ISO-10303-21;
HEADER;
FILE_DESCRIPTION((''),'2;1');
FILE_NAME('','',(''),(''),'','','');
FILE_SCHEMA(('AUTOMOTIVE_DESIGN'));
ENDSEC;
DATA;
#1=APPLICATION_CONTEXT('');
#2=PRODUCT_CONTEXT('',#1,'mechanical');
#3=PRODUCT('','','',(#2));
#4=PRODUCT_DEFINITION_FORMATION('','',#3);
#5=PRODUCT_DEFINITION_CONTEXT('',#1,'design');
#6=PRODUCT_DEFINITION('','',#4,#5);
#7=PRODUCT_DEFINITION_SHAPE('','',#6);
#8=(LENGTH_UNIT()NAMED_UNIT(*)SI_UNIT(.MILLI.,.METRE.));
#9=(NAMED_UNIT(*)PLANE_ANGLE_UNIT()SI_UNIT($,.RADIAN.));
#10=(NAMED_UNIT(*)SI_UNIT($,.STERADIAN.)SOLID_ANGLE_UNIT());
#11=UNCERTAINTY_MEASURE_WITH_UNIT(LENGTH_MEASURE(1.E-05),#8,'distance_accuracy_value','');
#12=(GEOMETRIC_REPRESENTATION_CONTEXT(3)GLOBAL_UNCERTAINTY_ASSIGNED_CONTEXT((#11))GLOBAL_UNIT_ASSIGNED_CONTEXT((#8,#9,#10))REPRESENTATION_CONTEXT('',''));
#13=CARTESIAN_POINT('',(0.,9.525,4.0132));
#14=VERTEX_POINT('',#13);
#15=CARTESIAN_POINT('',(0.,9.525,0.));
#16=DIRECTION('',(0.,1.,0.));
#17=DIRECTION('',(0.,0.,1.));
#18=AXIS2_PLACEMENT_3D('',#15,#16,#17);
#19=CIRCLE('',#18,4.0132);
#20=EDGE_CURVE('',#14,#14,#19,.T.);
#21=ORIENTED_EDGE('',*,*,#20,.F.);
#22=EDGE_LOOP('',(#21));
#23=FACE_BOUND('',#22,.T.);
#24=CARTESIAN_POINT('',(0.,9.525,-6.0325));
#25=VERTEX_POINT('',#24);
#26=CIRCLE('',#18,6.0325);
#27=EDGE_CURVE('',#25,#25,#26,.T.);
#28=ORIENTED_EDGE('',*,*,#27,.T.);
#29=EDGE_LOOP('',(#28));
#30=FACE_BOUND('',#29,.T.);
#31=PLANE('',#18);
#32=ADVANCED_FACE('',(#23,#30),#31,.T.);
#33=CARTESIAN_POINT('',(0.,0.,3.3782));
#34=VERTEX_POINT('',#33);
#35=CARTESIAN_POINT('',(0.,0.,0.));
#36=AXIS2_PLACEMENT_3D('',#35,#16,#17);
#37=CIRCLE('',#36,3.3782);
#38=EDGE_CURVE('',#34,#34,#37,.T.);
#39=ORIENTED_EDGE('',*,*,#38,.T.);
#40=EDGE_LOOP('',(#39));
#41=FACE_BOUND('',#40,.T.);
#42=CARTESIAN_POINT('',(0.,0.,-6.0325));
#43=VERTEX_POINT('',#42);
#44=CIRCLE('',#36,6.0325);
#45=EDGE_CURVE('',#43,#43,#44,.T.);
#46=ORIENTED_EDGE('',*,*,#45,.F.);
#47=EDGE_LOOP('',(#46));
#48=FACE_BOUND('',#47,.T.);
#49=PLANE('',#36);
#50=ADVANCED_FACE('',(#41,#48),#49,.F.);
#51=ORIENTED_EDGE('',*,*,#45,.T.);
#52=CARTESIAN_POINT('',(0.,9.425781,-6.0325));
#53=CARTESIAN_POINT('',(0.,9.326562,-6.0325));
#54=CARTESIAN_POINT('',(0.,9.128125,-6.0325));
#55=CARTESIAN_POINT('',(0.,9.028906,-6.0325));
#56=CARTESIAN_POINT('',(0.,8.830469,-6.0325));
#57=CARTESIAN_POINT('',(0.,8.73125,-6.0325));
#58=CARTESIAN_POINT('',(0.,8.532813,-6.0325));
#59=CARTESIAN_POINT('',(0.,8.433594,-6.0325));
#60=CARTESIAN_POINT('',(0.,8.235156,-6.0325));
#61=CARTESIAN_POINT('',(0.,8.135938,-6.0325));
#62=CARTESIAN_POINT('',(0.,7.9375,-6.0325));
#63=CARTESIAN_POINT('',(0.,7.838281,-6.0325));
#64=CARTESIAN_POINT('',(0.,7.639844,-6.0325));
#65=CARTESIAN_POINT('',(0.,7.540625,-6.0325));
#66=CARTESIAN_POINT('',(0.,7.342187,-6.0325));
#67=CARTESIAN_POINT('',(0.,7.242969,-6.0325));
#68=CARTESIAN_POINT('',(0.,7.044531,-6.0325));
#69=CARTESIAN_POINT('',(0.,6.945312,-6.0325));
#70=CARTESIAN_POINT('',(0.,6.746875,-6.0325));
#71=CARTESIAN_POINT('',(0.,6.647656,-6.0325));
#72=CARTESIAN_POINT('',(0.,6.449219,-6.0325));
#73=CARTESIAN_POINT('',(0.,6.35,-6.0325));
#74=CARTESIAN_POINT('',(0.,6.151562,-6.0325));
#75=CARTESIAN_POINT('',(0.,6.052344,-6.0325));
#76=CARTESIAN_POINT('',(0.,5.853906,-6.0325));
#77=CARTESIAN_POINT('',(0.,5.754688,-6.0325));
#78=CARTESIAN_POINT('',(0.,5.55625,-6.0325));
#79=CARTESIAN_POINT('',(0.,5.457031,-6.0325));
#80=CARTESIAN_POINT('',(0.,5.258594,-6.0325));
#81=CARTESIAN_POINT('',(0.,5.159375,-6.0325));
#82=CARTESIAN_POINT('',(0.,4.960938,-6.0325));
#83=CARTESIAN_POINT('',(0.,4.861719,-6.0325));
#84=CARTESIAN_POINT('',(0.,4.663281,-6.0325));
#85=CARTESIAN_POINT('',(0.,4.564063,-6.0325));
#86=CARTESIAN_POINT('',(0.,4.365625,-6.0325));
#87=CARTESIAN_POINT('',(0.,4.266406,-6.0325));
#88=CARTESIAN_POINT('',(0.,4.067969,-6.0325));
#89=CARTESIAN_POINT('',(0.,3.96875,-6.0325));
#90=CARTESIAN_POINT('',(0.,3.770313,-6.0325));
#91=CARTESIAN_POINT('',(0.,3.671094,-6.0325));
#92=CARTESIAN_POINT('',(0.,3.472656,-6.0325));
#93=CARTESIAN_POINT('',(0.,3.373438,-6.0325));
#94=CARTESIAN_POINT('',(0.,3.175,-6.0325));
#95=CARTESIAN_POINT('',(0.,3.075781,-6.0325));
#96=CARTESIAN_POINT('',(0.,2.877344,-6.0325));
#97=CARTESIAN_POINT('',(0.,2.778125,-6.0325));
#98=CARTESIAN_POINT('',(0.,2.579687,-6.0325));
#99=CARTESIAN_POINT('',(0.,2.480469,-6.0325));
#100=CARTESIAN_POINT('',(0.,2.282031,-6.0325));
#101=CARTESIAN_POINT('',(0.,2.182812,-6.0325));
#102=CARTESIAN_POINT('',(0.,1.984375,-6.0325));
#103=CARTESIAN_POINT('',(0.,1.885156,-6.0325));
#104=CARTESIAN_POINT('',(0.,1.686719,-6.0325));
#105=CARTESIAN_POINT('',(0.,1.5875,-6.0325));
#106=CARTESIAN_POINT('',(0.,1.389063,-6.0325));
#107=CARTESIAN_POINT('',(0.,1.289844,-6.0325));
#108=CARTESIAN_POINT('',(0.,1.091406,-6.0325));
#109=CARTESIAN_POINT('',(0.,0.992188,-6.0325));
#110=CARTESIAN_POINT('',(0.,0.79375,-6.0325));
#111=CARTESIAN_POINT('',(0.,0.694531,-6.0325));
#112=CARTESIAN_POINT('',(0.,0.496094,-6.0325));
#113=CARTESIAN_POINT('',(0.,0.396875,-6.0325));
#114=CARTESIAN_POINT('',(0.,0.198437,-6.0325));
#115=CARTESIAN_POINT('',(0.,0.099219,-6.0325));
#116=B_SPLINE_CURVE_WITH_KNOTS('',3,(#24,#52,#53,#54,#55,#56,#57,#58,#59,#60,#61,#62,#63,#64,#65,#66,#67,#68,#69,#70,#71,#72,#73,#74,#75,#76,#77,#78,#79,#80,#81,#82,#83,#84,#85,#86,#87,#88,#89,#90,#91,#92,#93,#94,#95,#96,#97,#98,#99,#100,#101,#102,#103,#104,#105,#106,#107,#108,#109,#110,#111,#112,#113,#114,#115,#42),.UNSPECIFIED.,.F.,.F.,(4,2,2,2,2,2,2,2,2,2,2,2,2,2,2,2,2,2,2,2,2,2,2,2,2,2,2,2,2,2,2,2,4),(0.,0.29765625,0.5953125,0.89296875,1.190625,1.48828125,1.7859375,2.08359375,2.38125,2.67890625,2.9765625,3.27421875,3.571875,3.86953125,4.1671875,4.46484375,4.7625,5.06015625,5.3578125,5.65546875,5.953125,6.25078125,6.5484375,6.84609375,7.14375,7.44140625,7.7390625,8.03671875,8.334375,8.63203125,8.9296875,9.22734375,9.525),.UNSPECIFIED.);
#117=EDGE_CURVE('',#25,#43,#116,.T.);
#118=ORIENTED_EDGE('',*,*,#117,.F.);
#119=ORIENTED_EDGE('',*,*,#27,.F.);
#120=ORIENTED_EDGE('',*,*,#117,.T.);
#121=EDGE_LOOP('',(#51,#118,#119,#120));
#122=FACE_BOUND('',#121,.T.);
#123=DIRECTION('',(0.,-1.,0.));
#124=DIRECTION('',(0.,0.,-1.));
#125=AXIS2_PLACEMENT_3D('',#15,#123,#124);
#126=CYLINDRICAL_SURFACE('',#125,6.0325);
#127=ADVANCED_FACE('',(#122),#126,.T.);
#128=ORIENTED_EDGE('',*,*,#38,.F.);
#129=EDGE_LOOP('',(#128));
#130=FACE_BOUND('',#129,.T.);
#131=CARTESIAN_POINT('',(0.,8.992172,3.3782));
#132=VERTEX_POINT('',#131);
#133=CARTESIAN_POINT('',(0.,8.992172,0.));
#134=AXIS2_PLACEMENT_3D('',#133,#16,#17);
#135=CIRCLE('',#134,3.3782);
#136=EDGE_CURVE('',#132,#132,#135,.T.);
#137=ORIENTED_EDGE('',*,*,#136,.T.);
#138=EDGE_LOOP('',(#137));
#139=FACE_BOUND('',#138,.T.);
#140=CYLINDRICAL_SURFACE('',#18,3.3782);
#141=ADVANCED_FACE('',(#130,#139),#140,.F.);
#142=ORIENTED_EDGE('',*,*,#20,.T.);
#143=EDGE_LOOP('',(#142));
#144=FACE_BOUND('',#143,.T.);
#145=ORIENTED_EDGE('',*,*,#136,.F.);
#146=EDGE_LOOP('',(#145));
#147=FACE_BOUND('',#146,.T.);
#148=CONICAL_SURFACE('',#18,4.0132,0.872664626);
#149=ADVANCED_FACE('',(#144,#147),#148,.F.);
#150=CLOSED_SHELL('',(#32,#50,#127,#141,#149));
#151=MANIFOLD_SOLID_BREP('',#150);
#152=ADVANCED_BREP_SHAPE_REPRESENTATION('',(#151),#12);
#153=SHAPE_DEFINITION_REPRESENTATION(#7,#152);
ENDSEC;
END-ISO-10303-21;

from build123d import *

# Parameters (mm, degrees)
SKETCH1_R                         = 6.0325
BOSS_EXTRUDE1_DEPTH               = 9.525
F_1_4_CLEARANCE_HOLE1_D           = 6.7564
F_1_4_CLEARANCE_HOLE1_CSINK_D     = 8.0264
F_1_4_CLEARANCE_HOLE1_CSINK_ANGLE = 100


with BuildPart() as part:
    # Sketch1 → Boss-Extrude1 (new body)
    with BuildSketch(Plane(origin=(0, 0, 0), x_dir=(1, 0, 0), z_dir=(0, 1, 0))):
        with Locations(Location((0, 0, 0), (0, 0, 90))):
            Circle(SKETCH1_R)
    extrude(amount=BOSS_EXTRUDE1_DEPTH)

    # 1/4 Clearance Hole1 (through all)
    with Locations(Plane(origin=(0, 9.525, 0), x_dir=(1, 0, 0), z_dir=(0, 1, 0))):
        with Locations((0, 0)):
            CounterSinkHole(F_1_4_CLEARANCE_HOLE1_D / 2, F_1_4_CLEARANCE_HOLE1_CSINK_D / 2, counter_sink_angle=F_1_4_CLEARANCE_HOLE1_CSINK_ANGLE)


solid = part.part
